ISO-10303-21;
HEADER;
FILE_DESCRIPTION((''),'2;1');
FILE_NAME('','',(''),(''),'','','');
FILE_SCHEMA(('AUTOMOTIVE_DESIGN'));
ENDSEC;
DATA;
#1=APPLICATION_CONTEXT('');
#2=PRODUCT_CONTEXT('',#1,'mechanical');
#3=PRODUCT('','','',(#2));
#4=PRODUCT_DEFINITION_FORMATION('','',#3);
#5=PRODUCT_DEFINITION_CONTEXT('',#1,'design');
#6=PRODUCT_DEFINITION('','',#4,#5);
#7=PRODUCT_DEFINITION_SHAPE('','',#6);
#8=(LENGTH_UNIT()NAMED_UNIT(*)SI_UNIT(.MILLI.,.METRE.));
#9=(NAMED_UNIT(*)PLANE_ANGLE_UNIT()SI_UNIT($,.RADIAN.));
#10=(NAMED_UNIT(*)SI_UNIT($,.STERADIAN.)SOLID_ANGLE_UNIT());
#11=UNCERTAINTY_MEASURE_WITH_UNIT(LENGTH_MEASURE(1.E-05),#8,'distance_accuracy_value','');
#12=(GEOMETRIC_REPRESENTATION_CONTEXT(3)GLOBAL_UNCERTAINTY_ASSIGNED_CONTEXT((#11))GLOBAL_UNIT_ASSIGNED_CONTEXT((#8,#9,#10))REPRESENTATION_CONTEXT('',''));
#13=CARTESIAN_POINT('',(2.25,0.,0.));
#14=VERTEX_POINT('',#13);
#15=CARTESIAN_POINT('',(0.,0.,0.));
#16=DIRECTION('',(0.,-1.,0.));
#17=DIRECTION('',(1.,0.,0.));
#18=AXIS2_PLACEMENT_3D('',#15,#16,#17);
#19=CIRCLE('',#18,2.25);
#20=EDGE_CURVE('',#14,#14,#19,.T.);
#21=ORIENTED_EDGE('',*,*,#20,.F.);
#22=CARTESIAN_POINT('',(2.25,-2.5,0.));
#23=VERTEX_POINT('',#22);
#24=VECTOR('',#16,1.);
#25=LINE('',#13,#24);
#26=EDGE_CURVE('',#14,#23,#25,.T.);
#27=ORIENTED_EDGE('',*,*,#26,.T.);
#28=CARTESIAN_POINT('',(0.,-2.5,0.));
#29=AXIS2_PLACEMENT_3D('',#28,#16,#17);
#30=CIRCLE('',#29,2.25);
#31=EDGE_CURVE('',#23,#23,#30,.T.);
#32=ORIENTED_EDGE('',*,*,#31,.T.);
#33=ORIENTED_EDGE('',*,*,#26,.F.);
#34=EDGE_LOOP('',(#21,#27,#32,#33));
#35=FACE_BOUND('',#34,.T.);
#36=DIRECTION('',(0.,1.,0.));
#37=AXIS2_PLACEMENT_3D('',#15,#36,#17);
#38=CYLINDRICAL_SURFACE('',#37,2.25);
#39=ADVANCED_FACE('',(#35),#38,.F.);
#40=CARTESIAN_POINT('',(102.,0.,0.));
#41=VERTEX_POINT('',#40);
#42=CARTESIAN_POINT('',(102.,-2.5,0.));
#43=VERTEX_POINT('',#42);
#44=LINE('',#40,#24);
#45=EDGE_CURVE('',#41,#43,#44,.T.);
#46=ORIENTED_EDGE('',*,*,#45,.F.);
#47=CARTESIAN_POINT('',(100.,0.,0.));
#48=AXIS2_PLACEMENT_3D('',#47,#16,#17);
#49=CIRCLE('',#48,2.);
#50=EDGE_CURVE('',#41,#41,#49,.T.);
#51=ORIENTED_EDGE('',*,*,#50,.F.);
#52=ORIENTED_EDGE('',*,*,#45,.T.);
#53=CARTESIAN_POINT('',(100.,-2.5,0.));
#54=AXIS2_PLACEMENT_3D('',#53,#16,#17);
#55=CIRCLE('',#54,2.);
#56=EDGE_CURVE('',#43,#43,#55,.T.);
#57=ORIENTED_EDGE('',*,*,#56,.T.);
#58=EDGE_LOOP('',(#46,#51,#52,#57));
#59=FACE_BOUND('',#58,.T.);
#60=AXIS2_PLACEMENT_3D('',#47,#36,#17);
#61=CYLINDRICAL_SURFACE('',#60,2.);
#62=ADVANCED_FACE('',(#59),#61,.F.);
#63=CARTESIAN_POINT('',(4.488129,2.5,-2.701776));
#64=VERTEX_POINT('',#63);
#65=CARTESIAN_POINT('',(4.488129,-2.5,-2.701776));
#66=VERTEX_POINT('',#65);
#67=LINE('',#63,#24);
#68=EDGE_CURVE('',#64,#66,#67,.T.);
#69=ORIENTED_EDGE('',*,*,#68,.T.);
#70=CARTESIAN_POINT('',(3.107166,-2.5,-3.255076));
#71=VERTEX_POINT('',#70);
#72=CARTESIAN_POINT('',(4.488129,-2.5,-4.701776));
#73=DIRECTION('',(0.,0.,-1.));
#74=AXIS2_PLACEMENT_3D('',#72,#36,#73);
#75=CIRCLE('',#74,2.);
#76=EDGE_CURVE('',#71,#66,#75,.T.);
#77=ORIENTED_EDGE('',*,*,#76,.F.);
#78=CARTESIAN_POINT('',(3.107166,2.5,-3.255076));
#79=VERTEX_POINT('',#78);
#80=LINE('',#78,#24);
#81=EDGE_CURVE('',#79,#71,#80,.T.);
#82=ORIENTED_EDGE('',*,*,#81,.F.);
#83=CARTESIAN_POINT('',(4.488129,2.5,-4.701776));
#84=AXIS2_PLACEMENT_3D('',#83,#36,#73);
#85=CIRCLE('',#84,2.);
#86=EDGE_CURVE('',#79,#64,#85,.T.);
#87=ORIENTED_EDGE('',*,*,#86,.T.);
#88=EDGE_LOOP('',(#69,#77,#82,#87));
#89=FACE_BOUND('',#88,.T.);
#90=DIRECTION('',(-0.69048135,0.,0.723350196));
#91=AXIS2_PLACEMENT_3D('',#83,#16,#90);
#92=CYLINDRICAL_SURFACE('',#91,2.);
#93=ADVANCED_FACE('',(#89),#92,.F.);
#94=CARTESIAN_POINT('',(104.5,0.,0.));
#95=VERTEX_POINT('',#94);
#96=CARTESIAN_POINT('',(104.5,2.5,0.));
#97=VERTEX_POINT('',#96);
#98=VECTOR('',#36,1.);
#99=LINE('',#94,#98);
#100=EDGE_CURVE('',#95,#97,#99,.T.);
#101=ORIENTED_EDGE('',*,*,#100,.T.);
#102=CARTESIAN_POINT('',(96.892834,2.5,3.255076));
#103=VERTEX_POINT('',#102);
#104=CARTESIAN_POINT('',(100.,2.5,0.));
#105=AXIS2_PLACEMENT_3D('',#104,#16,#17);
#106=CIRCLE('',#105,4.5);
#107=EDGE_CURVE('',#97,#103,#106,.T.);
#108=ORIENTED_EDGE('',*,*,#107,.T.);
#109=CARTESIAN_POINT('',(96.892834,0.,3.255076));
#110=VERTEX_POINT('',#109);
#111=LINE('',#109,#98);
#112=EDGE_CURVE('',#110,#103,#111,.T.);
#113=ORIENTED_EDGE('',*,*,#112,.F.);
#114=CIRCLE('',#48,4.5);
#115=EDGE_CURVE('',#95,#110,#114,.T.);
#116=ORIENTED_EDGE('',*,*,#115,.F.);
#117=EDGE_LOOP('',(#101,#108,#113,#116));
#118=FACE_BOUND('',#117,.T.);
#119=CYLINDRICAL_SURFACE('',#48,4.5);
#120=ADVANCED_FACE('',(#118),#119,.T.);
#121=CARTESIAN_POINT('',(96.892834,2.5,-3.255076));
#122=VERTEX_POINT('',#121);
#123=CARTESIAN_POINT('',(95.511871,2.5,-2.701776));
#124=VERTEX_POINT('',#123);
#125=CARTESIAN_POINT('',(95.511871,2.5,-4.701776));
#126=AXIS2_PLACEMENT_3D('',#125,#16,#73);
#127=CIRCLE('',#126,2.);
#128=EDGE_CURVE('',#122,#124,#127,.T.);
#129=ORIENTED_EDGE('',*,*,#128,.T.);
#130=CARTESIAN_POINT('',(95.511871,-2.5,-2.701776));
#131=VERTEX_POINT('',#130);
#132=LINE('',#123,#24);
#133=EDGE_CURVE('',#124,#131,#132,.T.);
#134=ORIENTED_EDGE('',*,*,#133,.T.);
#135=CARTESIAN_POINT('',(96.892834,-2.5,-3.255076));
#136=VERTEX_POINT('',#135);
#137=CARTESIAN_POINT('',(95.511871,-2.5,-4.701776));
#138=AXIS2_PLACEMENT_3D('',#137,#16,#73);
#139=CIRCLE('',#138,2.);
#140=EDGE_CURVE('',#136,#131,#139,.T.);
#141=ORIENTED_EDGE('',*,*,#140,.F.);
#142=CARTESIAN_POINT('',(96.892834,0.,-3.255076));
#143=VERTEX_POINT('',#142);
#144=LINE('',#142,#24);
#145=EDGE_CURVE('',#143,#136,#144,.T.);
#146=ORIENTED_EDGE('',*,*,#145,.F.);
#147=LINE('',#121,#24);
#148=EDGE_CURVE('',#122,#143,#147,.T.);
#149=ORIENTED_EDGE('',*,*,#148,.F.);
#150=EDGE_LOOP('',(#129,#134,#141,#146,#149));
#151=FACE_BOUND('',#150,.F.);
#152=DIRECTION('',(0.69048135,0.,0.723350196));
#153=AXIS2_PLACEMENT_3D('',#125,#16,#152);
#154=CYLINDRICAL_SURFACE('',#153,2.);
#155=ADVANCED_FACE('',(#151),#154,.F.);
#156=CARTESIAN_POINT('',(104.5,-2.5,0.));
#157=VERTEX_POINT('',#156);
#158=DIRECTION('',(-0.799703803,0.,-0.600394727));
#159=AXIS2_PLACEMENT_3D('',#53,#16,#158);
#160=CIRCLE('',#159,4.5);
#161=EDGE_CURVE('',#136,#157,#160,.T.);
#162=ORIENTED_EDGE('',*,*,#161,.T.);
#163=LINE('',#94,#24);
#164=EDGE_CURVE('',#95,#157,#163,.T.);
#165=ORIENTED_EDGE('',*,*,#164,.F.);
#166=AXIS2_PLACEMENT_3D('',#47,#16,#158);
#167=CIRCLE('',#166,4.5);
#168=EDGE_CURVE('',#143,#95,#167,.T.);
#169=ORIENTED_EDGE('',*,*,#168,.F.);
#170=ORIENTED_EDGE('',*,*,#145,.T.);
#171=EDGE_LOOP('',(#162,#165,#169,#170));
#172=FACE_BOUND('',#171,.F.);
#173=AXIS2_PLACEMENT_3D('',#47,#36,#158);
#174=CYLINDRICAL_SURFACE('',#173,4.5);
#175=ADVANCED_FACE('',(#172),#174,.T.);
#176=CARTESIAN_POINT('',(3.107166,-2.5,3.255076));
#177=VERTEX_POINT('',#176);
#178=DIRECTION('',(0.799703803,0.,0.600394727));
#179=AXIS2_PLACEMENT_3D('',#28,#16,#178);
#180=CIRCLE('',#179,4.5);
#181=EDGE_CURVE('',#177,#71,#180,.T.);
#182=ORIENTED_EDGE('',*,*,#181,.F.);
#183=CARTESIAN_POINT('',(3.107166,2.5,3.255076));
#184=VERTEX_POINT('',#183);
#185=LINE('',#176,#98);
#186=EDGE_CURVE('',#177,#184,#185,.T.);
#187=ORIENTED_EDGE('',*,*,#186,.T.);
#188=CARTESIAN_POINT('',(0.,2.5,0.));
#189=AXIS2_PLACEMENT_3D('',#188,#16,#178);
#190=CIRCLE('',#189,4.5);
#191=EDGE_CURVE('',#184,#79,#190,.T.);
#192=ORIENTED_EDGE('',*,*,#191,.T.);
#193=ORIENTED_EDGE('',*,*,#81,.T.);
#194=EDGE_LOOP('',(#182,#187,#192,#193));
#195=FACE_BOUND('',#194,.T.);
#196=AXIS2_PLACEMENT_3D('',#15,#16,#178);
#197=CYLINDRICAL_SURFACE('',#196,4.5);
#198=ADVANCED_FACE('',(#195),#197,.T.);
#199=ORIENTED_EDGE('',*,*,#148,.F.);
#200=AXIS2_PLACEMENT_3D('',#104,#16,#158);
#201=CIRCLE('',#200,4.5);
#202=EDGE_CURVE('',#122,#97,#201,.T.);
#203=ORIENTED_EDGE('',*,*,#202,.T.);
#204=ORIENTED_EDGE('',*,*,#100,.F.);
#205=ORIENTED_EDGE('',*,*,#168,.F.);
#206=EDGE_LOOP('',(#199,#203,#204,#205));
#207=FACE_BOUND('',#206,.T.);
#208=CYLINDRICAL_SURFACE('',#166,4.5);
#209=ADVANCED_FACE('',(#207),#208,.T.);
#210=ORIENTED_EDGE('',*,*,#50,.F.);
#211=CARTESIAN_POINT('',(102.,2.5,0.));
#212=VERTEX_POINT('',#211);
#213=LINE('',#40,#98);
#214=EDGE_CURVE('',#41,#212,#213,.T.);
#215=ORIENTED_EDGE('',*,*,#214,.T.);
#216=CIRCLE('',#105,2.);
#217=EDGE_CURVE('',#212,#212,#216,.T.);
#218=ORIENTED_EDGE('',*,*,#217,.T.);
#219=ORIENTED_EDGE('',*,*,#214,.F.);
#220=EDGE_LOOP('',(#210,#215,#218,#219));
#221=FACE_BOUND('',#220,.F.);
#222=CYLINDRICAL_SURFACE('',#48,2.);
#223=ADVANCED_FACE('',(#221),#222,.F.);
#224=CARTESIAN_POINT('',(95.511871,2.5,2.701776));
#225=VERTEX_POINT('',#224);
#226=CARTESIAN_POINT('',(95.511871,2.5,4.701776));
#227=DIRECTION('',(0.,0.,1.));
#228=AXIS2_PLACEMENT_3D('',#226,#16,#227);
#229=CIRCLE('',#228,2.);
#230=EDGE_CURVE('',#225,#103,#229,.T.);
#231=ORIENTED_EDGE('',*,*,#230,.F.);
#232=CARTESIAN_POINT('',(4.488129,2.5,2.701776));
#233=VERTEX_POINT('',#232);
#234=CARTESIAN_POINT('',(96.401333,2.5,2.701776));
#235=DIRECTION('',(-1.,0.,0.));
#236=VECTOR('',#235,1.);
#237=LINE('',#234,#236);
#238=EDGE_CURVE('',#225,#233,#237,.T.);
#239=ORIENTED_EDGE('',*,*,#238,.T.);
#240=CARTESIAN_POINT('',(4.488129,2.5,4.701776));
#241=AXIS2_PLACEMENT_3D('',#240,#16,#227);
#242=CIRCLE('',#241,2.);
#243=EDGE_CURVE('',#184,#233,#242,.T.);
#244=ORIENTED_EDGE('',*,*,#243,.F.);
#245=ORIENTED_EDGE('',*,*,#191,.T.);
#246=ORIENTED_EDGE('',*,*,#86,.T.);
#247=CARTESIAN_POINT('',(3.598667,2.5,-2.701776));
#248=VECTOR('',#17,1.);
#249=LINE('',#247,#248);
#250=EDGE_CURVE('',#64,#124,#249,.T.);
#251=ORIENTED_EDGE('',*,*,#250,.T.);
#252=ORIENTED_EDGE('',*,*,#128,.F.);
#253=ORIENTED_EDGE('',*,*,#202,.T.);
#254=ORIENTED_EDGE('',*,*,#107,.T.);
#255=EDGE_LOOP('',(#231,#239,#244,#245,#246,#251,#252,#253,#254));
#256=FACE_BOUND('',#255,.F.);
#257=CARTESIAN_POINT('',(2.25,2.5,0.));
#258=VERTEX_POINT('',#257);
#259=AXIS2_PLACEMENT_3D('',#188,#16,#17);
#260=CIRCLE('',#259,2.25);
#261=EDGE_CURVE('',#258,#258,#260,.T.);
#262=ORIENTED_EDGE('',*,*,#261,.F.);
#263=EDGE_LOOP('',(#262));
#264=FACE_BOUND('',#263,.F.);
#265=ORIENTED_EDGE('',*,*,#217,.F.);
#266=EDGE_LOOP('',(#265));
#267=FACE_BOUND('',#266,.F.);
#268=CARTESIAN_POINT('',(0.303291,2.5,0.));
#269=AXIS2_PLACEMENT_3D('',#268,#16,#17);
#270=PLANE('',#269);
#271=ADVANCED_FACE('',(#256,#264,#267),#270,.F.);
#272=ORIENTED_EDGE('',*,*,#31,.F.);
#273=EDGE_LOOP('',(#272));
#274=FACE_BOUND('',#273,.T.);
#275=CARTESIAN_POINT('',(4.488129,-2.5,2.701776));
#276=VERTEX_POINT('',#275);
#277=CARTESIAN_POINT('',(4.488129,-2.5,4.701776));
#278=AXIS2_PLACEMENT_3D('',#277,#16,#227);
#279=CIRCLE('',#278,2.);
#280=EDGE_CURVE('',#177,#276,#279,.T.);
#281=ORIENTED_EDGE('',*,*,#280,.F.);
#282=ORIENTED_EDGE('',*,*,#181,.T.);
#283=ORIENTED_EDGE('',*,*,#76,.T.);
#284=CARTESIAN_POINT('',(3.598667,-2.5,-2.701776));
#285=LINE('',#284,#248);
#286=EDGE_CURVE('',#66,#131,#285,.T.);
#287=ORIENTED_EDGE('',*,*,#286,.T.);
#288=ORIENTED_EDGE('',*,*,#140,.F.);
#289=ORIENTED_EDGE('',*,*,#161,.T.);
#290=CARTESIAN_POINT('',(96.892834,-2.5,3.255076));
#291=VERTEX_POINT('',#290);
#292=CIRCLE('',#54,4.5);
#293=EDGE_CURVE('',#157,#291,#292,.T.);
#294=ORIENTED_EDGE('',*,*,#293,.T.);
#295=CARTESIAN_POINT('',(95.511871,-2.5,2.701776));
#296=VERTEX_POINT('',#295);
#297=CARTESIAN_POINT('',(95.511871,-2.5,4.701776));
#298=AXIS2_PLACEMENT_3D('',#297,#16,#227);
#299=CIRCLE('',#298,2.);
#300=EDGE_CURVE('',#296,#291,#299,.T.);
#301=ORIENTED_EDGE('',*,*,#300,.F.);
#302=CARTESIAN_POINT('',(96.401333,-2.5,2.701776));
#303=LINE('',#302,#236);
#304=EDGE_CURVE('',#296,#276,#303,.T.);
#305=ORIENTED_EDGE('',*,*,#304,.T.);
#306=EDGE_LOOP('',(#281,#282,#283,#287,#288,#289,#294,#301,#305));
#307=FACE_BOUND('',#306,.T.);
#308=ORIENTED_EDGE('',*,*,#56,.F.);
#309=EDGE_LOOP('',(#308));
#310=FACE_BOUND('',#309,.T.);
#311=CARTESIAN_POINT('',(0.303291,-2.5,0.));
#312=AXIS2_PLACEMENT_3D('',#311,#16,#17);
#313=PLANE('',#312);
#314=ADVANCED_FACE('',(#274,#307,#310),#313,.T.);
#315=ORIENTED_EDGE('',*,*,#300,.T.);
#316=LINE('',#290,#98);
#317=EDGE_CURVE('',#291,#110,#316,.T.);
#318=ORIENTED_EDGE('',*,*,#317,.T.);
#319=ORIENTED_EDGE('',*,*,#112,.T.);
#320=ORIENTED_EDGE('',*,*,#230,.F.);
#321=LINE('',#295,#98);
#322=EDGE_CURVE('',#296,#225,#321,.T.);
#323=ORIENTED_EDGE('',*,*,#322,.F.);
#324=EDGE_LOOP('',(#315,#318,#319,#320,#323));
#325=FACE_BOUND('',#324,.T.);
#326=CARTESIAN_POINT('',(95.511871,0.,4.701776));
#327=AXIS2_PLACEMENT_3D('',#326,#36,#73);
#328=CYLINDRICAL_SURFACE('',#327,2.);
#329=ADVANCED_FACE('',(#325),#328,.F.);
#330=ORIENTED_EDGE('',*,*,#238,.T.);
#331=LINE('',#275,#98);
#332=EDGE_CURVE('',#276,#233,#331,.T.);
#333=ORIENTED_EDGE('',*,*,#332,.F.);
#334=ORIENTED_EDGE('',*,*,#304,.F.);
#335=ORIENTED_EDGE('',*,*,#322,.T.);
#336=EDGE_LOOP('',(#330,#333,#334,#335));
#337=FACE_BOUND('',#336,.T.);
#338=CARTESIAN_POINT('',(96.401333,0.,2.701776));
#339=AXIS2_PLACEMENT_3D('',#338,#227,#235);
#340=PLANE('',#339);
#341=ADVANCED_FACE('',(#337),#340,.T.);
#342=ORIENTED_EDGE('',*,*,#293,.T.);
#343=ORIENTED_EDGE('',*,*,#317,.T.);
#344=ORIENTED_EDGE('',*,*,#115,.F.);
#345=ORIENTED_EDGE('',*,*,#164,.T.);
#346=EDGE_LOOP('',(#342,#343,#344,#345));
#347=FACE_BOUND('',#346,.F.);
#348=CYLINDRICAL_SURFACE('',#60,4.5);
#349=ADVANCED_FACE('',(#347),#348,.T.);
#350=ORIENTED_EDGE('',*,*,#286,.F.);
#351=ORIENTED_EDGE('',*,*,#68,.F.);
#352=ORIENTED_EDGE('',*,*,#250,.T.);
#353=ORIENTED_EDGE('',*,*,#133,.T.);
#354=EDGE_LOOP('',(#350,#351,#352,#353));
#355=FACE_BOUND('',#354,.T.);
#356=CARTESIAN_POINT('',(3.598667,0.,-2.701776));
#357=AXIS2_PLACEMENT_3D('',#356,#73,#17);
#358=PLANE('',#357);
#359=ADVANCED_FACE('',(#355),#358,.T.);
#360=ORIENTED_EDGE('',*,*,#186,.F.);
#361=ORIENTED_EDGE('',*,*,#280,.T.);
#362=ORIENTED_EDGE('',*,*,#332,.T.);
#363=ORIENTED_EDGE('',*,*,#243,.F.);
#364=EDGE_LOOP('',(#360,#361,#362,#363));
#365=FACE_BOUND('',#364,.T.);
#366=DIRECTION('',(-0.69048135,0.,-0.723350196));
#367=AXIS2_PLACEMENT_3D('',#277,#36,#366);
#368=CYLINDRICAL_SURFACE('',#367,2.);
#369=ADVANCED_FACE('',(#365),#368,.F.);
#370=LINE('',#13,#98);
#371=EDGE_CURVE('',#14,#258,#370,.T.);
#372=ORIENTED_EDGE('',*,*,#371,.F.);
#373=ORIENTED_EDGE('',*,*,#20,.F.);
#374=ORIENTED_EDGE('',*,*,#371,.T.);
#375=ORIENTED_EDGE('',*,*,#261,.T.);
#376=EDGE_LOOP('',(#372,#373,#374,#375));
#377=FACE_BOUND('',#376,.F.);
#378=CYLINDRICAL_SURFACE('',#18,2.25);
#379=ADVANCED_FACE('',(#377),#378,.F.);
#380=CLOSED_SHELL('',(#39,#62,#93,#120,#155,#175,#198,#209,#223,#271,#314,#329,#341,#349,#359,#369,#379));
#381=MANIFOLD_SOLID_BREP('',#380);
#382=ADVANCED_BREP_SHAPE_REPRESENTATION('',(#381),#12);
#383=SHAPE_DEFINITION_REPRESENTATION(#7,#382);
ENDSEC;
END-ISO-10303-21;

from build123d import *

# Parameters (mm, degrees)
F0_R     = 2.25
F0_R_2   = 2
F1_DEPTH = 2.5
F2_R     = 2


with BuildPart() as f1:
    # F0 (on Front) → F1 (new body, symmetric)
    with BuildSketch(Plane.XZ):
        with BuildLine():
            ThreePointArc((3.5986671115, -2.7017762714), (4.2687235798, -1.4240782981), (4.5, 0))
            ThreePointArc((4.5, 0), (4.2687235798, 1.4240782981), (3.5986671115, 2.7017762714))
            ThreePointArc((3.5986671115, 2.7017762714), (-4.5, 0), (3.5986671115, -2.7017762714))
        make_face()
        Circle(F0_R, mode=Mode.SUBTRACT)
        with BuildLine():
            ThreePointArc((3.5986671115, 2.7017762714), (4.2687235798, 1.4240782981), (4.5, 0))
            ThreePointArc((4.5, 0), (4.2687235798, -1.4240782981), (3.5986671115, -2.7017762714))
            Line((3.5986671115, -2.7017762714), (96.4013328885, -2.7017762714))
            ThreePointArc((96.4013328885, -2.7017762714), (95.5, 0), (96.4013328885, 2.7017762714))
            Line((96.4013328885, 2.7017762714), (3.5986671115, 2.7017762714))
        make_face()
        with BuildLine():
            ThreePointArc((104.5, 0), (101.4240782981, 4.2687235798), (96.4013328885, 2.7017762714))
            ThreePointArc((96.4013328885, 2.7017762714), (95.5, 0), (96.4013328885, -2.7017762714))
            ThreePointArc((96.4013328885, -2.7017762714), (101.4240782981, -4.2687235798), (104.5, 0))
        make_face()
        with Locations((100, 0)):
            Circle(F0_R_2, mode=Mode.SUBTRACT)
    extrude(amount=F1_DEPTH, both=True)

    # F2
    f2_edges = [f1.edges().sort_by_distance(p)[0] for p in [
        (3.598667, 0, 2.701776),
        (96.401333, 0, 2.701776),
        (3.598667, 0, -2.701776),
        (96.401333, 0, -2.701776),
    ]]
    fillet(f2_edges, radius=F2_R)


solid = f1.part
